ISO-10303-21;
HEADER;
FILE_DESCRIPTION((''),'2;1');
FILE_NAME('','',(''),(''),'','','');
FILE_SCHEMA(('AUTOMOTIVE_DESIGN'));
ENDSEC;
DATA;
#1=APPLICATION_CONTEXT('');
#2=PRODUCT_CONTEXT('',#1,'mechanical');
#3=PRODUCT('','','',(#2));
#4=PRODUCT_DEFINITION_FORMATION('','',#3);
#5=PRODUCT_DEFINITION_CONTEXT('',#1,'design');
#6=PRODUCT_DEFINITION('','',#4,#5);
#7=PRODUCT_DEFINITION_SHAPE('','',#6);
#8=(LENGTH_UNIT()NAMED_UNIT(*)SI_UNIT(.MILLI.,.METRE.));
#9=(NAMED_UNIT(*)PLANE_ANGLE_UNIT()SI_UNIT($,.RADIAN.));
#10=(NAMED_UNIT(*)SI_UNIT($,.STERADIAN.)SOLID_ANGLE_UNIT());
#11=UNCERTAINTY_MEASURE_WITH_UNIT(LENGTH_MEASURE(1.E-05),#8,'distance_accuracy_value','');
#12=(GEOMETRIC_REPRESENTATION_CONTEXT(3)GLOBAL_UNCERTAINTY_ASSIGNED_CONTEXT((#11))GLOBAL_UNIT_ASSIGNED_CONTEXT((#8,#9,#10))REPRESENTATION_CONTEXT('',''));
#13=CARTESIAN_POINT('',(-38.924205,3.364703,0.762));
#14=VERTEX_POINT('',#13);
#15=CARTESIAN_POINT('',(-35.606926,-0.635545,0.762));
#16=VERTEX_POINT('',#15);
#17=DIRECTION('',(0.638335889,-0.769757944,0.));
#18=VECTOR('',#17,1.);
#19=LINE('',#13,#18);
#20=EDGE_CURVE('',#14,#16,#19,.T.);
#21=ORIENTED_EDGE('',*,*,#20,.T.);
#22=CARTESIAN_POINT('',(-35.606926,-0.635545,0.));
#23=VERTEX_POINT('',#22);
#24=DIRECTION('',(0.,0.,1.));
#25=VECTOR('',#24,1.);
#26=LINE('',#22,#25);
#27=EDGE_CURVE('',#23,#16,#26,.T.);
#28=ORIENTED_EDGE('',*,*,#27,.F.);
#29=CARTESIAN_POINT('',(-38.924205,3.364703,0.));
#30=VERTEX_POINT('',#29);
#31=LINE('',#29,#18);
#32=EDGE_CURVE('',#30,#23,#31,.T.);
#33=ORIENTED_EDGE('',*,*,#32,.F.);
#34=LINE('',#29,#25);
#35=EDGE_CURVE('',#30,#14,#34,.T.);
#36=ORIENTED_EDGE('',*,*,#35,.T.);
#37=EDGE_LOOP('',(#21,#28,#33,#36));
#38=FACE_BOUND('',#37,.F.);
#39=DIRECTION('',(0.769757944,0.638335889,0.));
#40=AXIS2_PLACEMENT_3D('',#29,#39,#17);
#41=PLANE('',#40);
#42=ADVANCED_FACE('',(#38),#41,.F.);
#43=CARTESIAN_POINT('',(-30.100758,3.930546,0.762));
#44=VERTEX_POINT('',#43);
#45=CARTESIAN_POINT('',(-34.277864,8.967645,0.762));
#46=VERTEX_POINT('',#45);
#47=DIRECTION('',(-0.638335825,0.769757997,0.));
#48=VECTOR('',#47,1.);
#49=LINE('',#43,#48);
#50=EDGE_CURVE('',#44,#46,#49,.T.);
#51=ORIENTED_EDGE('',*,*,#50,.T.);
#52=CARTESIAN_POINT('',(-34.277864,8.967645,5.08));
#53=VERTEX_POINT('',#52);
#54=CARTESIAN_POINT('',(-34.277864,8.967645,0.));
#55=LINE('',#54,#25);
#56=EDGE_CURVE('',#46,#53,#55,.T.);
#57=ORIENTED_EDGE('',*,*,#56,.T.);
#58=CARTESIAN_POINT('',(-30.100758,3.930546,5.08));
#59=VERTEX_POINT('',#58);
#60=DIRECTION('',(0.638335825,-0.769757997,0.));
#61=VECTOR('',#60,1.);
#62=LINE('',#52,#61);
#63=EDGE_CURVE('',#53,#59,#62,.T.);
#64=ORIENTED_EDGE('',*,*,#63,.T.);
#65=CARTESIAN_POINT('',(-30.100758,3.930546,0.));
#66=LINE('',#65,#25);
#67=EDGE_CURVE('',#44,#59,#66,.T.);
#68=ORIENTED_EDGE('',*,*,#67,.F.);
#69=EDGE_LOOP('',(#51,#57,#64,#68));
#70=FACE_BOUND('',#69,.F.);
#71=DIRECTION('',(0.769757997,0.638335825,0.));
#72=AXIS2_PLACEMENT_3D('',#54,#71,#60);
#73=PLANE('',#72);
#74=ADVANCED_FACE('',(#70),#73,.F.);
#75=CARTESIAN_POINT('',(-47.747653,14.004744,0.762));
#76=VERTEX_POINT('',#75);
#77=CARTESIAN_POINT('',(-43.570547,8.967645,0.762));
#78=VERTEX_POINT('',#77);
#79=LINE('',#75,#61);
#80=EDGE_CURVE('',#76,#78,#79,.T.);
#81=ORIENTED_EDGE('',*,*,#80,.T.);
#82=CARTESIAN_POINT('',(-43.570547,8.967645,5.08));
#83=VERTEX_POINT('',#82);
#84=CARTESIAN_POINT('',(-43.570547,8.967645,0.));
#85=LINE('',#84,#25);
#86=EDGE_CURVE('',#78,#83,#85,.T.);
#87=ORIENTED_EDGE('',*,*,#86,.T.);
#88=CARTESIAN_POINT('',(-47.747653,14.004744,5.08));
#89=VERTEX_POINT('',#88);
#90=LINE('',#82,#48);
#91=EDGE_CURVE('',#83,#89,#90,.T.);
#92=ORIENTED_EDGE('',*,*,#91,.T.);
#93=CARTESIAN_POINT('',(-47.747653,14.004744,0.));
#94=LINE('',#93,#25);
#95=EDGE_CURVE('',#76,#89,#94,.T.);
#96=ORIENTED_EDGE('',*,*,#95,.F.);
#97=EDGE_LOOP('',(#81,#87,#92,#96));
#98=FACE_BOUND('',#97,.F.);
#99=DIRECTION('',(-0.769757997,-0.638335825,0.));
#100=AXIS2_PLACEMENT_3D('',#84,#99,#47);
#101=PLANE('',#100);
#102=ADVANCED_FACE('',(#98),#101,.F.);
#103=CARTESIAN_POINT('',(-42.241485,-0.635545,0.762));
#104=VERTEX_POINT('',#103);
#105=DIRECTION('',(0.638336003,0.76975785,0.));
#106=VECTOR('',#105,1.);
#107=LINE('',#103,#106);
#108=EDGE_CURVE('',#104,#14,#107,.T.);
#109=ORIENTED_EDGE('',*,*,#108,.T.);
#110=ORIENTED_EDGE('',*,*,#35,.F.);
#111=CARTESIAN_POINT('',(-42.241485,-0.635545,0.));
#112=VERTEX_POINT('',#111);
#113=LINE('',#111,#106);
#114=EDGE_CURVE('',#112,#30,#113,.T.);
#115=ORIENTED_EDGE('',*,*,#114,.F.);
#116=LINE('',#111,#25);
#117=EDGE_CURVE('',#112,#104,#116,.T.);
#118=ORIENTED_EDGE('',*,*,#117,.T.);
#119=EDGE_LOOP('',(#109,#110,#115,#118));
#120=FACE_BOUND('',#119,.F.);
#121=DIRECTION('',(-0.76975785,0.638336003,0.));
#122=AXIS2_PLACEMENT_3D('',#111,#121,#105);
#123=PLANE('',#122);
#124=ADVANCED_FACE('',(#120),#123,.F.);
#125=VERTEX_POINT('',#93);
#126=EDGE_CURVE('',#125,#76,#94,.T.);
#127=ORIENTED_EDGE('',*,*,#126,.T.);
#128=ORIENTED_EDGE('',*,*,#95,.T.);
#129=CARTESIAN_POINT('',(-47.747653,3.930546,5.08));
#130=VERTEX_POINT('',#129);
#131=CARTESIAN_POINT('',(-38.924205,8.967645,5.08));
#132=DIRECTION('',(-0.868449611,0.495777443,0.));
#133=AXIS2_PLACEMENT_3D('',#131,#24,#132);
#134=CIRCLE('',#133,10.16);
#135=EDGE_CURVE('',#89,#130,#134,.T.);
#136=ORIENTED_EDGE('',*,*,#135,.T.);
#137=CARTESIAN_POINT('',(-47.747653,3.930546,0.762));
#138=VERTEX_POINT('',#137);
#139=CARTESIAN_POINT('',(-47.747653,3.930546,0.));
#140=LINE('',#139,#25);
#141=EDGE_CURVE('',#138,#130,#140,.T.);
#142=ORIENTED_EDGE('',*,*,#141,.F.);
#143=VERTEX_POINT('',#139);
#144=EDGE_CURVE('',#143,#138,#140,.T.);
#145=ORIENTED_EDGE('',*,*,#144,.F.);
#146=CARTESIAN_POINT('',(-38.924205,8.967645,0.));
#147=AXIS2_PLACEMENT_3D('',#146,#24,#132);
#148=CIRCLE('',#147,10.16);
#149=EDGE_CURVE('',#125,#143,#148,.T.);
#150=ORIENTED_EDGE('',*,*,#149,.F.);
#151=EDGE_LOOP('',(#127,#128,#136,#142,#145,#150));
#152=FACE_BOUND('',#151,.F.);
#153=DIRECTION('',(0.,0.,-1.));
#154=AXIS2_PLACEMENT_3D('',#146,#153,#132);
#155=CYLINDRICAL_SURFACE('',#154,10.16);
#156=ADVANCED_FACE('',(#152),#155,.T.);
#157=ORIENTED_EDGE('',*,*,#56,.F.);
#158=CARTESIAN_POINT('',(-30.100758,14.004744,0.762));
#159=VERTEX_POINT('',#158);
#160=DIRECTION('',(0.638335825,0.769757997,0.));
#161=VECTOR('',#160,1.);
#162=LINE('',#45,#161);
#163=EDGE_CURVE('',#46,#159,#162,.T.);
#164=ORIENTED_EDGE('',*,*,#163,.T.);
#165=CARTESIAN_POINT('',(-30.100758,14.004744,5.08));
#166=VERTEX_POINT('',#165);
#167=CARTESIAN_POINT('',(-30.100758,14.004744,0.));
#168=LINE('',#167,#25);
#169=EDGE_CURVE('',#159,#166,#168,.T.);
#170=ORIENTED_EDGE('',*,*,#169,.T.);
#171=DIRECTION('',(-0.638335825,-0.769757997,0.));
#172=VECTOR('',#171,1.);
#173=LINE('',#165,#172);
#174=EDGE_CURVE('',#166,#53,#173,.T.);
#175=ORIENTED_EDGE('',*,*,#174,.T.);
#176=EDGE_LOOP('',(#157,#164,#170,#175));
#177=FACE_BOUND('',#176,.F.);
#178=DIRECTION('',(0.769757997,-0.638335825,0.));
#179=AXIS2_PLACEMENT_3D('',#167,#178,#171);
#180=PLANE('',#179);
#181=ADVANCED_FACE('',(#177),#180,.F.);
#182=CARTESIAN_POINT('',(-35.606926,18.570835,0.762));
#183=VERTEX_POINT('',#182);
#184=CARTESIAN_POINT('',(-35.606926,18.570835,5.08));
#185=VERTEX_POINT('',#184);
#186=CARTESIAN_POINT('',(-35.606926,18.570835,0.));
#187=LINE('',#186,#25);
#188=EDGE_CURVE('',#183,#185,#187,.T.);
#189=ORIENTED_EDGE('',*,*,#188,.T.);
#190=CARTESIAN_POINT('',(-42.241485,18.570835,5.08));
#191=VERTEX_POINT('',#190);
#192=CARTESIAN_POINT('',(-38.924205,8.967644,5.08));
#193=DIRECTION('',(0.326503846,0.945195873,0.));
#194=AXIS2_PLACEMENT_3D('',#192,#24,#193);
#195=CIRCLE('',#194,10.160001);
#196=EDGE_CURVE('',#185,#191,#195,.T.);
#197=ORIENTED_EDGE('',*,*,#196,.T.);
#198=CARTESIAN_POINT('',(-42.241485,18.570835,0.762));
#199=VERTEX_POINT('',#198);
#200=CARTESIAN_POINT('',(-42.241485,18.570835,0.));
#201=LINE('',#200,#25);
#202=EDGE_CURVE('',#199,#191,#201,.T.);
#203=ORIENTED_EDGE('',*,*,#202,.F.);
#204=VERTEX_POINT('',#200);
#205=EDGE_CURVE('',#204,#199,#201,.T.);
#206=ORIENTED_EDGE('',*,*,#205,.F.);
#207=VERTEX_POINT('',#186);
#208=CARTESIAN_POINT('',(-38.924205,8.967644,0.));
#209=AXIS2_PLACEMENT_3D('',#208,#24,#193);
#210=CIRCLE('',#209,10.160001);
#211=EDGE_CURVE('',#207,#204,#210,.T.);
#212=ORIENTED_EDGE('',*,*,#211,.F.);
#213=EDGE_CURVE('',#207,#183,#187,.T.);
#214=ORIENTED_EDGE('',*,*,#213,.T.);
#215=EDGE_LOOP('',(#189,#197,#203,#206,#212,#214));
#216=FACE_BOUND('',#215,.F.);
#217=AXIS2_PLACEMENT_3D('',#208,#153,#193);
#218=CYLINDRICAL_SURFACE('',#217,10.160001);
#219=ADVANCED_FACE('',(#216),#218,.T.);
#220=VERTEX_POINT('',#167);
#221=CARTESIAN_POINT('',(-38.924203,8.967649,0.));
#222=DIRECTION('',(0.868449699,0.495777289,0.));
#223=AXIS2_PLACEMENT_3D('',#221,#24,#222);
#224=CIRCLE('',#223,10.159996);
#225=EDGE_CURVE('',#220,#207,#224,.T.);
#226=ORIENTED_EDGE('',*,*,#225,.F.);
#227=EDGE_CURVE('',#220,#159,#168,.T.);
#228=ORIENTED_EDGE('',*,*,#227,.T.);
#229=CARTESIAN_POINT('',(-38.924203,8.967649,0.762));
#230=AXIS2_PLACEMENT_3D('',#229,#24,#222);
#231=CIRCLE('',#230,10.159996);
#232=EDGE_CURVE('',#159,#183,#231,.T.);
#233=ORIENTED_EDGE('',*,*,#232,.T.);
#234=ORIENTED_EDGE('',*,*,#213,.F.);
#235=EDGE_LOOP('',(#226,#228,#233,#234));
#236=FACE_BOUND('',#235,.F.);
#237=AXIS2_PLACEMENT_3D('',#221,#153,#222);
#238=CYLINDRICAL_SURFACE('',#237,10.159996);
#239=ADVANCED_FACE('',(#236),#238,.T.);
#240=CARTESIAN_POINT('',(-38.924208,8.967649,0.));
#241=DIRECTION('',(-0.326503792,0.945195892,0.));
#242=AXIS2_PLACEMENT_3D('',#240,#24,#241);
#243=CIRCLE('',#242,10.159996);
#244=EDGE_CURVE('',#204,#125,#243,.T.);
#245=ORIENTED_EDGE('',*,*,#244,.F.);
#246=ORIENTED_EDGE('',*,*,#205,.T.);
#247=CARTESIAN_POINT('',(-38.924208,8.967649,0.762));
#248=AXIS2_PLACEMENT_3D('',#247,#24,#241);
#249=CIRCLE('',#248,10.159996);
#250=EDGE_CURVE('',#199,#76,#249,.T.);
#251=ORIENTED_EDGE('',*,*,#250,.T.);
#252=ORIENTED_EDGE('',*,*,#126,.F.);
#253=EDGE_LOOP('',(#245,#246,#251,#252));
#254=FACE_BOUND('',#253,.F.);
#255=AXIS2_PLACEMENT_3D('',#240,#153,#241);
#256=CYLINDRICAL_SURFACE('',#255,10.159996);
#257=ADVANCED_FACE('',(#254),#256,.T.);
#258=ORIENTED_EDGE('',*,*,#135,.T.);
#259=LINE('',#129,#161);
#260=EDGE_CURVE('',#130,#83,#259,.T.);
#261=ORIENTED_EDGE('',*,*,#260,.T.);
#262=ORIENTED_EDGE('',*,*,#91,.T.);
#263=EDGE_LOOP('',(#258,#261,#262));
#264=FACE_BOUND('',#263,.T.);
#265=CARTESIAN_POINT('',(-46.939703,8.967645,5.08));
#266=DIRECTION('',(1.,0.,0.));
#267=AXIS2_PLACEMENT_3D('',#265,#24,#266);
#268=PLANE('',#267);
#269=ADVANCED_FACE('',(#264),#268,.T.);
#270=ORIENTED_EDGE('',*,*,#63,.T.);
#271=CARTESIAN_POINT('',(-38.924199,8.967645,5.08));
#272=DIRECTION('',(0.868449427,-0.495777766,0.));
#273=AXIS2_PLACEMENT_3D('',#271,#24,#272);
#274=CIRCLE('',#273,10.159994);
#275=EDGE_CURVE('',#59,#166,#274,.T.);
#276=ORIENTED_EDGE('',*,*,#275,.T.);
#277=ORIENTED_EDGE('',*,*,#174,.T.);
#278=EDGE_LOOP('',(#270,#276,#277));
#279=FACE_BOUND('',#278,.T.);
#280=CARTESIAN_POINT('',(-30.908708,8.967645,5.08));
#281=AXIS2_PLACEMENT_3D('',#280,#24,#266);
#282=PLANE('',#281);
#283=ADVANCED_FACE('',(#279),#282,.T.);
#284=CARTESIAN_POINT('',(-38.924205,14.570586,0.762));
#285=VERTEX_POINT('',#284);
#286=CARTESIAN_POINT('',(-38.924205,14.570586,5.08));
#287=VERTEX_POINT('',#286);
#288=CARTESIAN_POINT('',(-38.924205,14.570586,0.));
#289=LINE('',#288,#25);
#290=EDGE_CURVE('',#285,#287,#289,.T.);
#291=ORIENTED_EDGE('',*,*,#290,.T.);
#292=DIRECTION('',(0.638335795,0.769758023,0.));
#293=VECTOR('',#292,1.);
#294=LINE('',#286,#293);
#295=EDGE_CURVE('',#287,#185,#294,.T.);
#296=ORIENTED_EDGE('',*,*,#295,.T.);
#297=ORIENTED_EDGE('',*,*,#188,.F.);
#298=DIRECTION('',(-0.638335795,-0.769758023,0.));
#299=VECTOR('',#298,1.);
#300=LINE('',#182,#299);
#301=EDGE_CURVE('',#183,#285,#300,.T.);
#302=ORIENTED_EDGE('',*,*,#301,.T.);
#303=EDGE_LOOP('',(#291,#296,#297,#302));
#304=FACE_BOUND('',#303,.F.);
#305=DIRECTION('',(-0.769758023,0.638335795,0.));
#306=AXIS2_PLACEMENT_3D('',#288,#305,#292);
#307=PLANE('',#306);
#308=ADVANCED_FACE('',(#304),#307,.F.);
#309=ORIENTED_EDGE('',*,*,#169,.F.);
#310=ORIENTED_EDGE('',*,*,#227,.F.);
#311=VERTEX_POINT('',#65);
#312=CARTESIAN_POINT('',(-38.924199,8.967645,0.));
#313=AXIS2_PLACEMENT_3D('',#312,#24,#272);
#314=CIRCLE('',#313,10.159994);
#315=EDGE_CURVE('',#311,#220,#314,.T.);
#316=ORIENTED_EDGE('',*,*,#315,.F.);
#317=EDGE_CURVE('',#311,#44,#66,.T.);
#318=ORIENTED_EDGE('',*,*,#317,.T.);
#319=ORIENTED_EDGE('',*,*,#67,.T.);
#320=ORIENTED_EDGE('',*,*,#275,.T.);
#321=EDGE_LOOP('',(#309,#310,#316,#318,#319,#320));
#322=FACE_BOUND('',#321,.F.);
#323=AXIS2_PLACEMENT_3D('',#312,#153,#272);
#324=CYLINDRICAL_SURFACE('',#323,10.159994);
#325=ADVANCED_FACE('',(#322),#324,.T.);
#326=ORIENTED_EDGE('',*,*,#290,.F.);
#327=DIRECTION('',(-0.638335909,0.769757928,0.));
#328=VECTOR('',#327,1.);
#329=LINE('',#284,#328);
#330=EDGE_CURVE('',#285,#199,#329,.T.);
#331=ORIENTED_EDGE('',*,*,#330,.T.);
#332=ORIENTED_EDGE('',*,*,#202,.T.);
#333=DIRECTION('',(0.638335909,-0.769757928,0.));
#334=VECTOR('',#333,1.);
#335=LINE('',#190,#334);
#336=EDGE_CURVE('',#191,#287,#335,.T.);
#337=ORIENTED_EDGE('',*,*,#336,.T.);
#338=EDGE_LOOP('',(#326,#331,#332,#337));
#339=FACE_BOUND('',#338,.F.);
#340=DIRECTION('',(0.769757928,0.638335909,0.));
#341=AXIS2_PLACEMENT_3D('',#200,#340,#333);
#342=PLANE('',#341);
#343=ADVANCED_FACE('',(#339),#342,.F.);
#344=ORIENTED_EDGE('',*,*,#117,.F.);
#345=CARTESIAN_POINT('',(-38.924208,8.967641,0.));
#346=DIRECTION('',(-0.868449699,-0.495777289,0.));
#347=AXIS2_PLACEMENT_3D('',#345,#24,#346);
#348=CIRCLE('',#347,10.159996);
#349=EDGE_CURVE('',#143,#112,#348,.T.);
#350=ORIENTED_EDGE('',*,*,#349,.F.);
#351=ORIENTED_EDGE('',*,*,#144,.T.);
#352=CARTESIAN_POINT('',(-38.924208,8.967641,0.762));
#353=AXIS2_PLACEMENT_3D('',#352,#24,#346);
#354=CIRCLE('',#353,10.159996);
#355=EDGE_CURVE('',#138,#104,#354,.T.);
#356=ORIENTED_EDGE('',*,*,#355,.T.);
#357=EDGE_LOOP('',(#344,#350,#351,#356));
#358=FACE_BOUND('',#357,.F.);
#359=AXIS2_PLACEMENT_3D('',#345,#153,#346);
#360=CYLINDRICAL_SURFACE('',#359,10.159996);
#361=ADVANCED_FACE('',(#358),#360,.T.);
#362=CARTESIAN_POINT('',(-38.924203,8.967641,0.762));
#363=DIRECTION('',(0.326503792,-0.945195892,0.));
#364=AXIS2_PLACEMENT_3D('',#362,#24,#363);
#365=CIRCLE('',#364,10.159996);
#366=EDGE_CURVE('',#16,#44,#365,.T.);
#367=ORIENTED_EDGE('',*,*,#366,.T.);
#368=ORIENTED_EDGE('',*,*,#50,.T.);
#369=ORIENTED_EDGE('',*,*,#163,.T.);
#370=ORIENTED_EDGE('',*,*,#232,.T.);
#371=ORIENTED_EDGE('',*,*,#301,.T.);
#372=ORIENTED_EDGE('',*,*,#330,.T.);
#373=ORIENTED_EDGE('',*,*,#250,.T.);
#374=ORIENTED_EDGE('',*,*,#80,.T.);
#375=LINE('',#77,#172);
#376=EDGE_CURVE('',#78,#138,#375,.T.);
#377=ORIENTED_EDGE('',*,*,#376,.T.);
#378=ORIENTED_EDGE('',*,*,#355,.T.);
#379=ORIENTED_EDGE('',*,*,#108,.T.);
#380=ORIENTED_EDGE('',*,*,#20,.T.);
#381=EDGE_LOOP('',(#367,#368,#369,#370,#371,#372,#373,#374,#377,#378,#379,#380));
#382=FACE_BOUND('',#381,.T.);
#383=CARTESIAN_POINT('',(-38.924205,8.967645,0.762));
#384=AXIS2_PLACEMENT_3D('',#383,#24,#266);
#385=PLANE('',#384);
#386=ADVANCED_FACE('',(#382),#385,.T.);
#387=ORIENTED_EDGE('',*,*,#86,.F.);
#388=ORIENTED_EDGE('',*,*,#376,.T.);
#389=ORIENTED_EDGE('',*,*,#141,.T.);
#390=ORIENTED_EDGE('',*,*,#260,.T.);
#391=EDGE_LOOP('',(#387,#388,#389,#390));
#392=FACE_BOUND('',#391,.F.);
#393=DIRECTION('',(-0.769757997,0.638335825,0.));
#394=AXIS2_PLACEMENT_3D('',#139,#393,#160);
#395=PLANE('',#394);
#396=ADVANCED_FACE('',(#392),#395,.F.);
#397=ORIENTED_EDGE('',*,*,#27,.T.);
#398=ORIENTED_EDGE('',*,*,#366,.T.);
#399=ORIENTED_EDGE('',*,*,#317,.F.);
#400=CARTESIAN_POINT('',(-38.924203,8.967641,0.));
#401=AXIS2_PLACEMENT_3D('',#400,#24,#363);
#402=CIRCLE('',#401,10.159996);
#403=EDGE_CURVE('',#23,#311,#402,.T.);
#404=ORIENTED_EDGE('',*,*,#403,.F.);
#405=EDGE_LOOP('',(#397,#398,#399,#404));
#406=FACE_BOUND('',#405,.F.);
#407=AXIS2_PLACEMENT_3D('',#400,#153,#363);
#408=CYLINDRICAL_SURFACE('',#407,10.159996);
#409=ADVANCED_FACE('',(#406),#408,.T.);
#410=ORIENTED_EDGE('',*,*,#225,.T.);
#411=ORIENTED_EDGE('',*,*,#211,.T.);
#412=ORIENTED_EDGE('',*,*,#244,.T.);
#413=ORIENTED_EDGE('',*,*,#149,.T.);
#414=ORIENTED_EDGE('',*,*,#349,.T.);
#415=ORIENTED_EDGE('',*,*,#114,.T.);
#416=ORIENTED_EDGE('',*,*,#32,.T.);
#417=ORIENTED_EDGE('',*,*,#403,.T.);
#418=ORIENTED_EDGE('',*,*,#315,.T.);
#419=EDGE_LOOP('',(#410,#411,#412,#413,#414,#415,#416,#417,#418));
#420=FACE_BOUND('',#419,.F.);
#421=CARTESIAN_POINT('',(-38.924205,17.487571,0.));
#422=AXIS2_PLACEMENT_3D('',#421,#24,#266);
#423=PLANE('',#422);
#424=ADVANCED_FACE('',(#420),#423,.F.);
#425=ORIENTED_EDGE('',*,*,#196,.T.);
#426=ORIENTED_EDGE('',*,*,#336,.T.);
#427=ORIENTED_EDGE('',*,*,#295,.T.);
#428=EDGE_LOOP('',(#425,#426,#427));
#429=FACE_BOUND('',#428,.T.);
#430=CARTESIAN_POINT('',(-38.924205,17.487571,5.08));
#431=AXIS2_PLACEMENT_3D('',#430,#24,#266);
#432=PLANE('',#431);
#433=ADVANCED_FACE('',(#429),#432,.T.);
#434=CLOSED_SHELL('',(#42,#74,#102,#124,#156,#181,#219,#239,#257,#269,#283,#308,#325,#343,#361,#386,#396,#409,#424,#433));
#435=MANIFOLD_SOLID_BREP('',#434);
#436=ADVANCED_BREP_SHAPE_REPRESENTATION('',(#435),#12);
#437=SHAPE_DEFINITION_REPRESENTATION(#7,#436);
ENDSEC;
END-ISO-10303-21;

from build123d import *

# Parameters (mm, degrees)
F1_DEPTH = 0.762
F2_DEPTH = 5.08


with BuildPart() as f1:
    # F0 (on Top) → F1 (new body)
    with BuildSketch(Plane.XY):
        with BuildLine():
            ThreePointArc((-42.241485, 18.570835), (-45.409698, 16.788386), (-47.747653, 14.004744))
            Line((-47.747653, 14.004744), (-43.570547, 8.967645))
            Line((-43.570547, 8.967645), (-47.747653, 3.930546))
            ThreePointArc((-47.747653, 3.930546), (-45.409698, 1.146904), (-42.241485, -0.635545))
            Line((-42.241485, -0.635545), (-38.924205, 3.364703))
            Line((-38.924205, 3.364703), (-35.606926, -0.635545))
            ThreePointArc((-35.606926, -0.635545), (-32.438713, 1.146904), (-30.100758, 3.930546))
            Line((-30.100758, 3.930546), (-34.277864, 8.967645))
            Line((-34.277864, 8.967645), (-30.100758, 14.004744))
            ThreePointArc((-30.100758, 14.004744), (-32.438713, 16.788386), (-35.606926, 18.570835))
            Line((-35.606926, 18.570835), (-38.924205, 14.570586))
            Line((-38.924205, 14.570586), (-42.241485, 18.570835))
        make_face()
    extrude(amount=F1_DEPTH)

    # F0 (on Top) → F2 (join)
    with BuildSketch(Plane.XY):
        with BuildLine():
            ThreePointArc((-35.606926, 18.570835), (-38.924205, 19.127645), (-42.241485, 18.570835))
            Line((-42.241485, 18.570835), (-38.924205, 14.570586))
            Line((-38.924205, 14.570586), (-35.606926, 18.570835))
        make_face()
        with BuildLine():
            ThreePointArc((-30.100758, 3.930546), (-28.764205, 8.967645), (-30.100758, 14.004744))
            Line((-30.100758, 14.004744), (-34.277864, 8.967645))
            Line((-34.277864, 8.967645), (-30.100758, 3.930546))
        make_face()
        with BuildLine():
            Line((-43.570547, 8.967645), (-47.747653, 14.004744))
            ThreePointArc((-47.747653, 14.004744), (-49.084205, 8.967645), (-47.747653, 3.930546))
            Line((-47.747653, 3.930546), (-43.570547, 8.967645))
        make_face()
    extrude(amount=F2_DEPTH)


solid = f1.part
